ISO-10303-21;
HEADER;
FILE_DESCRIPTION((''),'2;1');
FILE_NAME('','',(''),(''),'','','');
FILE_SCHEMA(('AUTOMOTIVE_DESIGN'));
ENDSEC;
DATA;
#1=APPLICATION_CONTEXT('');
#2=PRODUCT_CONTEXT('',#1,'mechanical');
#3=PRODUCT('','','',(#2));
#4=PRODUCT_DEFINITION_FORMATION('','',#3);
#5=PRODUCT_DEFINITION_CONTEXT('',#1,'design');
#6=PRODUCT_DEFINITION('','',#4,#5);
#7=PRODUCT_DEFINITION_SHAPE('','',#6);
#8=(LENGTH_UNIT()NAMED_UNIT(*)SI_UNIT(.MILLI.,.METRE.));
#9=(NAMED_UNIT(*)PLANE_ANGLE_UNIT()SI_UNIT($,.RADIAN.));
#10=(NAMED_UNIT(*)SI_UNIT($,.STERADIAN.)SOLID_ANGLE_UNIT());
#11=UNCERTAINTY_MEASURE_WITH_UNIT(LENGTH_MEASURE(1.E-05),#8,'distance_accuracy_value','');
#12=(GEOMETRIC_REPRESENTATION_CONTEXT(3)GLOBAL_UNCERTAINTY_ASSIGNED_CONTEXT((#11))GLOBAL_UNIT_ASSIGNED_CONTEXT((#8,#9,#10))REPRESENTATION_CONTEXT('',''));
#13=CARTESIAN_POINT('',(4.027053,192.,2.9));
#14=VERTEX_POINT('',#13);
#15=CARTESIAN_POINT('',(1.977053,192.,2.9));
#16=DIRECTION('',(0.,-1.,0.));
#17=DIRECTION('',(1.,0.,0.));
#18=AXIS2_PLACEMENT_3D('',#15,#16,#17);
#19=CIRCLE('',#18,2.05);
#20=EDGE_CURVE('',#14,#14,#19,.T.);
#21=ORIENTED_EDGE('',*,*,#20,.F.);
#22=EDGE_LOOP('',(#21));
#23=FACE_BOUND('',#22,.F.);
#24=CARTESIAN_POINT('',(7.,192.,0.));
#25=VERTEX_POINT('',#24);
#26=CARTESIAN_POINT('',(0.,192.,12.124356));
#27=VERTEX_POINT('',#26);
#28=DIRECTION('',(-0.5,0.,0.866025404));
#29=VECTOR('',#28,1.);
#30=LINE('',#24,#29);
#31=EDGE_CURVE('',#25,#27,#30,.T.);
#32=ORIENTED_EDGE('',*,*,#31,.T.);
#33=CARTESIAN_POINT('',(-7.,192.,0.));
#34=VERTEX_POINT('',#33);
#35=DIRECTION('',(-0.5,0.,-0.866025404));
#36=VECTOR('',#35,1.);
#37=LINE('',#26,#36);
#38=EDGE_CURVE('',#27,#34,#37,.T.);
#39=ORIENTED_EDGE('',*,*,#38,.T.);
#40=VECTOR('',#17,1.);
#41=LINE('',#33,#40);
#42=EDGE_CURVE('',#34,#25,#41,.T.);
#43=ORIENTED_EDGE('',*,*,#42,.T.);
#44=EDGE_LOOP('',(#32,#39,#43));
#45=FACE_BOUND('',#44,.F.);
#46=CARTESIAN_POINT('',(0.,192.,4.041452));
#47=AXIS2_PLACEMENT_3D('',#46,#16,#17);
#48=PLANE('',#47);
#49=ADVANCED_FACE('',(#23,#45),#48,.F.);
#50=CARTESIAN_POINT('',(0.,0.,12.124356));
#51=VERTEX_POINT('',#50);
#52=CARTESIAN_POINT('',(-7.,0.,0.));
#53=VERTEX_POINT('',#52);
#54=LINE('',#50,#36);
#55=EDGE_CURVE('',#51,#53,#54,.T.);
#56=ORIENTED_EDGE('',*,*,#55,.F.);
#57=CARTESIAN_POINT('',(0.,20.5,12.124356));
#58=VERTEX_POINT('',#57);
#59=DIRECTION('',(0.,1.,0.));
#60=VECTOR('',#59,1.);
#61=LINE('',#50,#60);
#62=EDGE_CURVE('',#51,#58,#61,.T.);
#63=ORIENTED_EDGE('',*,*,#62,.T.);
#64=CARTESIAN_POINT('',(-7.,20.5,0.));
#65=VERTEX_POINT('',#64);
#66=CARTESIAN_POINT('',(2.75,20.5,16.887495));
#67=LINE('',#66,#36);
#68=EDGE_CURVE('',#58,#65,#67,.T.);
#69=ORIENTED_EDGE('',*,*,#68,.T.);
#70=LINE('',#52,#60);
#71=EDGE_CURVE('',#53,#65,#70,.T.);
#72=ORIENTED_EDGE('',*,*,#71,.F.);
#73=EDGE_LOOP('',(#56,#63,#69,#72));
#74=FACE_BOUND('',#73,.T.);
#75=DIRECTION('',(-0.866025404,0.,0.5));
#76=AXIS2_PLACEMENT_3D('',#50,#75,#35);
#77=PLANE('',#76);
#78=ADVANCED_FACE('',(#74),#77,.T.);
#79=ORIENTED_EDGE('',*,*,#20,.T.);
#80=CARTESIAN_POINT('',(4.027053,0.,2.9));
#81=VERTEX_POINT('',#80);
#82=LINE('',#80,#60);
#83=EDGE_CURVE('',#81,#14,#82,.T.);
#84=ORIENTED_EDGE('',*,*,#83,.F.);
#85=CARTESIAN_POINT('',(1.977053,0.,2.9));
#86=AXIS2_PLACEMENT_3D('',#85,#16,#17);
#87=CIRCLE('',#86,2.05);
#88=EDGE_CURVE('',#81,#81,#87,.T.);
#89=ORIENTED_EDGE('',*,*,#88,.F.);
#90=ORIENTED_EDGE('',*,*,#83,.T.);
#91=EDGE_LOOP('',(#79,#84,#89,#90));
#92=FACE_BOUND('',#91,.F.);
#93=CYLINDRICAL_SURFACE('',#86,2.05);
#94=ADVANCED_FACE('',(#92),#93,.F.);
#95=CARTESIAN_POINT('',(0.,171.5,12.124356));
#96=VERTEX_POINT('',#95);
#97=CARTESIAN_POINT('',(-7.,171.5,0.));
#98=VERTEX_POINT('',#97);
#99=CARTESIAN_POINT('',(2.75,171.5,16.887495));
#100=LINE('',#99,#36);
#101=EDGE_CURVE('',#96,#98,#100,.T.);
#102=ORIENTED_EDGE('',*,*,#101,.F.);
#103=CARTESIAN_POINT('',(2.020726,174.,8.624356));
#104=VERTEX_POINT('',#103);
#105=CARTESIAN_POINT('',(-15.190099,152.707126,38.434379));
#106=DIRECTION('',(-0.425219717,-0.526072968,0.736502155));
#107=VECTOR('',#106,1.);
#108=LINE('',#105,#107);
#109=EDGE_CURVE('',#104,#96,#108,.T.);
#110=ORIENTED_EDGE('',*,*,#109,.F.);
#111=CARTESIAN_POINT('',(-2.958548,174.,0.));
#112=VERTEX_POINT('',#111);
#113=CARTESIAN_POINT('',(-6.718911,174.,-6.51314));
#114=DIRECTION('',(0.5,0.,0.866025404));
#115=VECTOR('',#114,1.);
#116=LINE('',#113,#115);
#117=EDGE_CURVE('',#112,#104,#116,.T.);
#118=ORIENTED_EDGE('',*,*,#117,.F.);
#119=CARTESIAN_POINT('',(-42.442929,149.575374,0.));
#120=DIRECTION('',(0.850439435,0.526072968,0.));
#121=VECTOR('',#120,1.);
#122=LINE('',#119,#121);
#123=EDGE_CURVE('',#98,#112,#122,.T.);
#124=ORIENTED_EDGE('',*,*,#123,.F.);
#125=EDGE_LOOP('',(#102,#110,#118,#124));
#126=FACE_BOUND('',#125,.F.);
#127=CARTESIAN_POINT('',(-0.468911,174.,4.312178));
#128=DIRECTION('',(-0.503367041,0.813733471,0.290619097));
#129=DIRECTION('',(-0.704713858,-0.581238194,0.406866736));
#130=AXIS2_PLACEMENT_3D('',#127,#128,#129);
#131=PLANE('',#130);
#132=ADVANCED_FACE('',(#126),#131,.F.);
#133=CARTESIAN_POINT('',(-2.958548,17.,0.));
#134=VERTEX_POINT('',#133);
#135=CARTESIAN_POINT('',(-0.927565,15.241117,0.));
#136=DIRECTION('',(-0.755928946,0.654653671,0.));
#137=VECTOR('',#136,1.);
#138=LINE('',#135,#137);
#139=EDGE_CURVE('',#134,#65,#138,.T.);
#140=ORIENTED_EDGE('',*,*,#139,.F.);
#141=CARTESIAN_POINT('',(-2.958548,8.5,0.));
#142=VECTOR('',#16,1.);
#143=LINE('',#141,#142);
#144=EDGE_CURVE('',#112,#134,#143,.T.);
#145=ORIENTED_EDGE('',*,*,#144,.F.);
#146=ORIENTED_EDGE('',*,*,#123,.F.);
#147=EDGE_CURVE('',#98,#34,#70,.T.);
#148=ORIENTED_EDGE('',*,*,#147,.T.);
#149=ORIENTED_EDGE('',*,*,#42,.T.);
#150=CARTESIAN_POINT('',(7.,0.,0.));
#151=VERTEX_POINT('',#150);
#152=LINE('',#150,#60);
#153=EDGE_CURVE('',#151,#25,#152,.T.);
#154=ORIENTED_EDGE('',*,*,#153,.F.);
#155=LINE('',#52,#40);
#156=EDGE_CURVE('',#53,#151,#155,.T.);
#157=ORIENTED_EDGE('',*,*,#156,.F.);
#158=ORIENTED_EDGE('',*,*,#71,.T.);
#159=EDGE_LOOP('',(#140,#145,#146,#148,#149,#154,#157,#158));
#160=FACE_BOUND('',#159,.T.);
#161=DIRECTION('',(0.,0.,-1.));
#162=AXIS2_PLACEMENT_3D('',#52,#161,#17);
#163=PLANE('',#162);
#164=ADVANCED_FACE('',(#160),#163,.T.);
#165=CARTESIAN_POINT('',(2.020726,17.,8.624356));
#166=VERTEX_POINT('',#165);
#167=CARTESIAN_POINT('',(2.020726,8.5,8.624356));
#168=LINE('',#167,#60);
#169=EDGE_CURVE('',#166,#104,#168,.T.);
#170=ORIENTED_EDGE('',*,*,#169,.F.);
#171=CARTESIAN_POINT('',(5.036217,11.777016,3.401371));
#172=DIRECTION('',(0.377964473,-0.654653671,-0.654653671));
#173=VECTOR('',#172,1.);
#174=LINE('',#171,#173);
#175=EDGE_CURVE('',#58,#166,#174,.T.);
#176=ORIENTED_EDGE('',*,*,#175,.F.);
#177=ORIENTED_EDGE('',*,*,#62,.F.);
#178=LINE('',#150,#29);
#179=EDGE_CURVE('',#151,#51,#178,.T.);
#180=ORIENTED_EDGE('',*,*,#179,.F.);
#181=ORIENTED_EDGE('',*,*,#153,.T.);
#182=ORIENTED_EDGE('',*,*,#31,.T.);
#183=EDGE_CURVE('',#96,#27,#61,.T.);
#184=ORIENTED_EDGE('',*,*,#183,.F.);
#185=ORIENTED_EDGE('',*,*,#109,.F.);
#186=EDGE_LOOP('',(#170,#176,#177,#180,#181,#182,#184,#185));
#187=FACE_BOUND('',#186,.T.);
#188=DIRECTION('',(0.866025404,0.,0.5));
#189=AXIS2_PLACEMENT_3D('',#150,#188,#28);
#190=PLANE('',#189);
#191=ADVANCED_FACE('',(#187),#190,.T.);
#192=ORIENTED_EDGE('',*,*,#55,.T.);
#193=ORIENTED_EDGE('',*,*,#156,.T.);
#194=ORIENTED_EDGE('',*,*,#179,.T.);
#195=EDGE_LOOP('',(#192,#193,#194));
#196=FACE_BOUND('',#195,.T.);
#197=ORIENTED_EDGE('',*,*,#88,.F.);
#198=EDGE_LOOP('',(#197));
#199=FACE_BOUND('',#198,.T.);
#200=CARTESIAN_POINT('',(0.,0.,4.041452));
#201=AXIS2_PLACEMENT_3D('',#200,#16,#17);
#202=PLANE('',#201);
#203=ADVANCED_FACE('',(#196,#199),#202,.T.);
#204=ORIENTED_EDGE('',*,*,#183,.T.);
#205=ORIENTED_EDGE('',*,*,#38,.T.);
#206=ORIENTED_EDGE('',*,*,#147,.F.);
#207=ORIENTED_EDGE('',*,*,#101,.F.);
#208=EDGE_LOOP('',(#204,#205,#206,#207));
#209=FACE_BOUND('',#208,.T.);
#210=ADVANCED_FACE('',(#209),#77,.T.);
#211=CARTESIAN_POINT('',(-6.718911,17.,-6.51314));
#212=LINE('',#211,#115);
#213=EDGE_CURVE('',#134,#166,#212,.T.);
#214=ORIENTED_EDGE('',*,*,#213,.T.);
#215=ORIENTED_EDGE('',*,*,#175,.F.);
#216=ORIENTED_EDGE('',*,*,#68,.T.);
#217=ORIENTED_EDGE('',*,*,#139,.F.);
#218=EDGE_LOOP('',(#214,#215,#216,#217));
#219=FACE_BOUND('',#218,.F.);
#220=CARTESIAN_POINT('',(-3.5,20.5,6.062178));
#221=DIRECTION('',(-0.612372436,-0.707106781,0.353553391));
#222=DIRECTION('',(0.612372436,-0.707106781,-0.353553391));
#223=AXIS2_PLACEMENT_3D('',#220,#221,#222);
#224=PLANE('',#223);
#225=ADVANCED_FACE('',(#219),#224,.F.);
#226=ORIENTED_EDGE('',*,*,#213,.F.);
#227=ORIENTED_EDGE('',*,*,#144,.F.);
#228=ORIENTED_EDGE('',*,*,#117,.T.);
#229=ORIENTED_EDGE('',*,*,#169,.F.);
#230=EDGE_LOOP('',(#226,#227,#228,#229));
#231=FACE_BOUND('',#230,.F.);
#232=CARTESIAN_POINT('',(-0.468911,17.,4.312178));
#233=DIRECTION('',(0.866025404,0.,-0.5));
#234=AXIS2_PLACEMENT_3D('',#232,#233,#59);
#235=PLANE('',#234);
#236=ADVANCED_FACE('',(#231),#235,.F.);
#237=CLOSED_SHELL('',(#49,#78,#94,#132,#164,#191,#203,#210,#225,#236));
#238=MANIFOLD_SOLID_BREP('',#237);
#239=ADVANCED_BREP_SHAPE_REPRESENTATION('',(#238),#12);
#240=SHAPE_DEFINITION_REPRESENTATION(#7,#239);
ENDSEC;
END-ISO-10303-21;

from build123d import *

# Parameters (mm, degrees)
F1_DEPTH = 192
F5_DEPTH = 12.5
F6_R     = 2.05
F7_DEPTH = 200


with BuildPart() as f1:
    # F0 (on Front) → F1 (new body)
    with BuildSketch(Plane.XZ):
        Polygon((0, 12.124355653), (-7, 0), (7, 0), align=None)
    extrude(amount=-F1_DEPTH)

    # F4 (on 3pt) → F5 (cut, symmetric)
    with BuildSketch(Plane(origin=(1.75, 0, 3.0310889132), x_dir=(0.8660254038, 0, -0.5), z_dir=(0.5, 0, 0.8660254038))):
        Polygon((-6.0621778265, 20.5), (-2.5621778265, 17), (-2.5621778265, 174), (-6.0621778265, 171.5), align=None)
    extrude(amount=F5_DEPTH, both=True, mode=Mode.SUBTRACT)

    # F6 (on Front) → F7 (cut)
    with BuildSketch(Plane.XZ):
        with Locations((1.9770526581, 2.9)):
            Circle(F6_R)
    extrude(amount=-F7_DEPTH, mode=Mode.SUBTRACT)


solid = f1.part
